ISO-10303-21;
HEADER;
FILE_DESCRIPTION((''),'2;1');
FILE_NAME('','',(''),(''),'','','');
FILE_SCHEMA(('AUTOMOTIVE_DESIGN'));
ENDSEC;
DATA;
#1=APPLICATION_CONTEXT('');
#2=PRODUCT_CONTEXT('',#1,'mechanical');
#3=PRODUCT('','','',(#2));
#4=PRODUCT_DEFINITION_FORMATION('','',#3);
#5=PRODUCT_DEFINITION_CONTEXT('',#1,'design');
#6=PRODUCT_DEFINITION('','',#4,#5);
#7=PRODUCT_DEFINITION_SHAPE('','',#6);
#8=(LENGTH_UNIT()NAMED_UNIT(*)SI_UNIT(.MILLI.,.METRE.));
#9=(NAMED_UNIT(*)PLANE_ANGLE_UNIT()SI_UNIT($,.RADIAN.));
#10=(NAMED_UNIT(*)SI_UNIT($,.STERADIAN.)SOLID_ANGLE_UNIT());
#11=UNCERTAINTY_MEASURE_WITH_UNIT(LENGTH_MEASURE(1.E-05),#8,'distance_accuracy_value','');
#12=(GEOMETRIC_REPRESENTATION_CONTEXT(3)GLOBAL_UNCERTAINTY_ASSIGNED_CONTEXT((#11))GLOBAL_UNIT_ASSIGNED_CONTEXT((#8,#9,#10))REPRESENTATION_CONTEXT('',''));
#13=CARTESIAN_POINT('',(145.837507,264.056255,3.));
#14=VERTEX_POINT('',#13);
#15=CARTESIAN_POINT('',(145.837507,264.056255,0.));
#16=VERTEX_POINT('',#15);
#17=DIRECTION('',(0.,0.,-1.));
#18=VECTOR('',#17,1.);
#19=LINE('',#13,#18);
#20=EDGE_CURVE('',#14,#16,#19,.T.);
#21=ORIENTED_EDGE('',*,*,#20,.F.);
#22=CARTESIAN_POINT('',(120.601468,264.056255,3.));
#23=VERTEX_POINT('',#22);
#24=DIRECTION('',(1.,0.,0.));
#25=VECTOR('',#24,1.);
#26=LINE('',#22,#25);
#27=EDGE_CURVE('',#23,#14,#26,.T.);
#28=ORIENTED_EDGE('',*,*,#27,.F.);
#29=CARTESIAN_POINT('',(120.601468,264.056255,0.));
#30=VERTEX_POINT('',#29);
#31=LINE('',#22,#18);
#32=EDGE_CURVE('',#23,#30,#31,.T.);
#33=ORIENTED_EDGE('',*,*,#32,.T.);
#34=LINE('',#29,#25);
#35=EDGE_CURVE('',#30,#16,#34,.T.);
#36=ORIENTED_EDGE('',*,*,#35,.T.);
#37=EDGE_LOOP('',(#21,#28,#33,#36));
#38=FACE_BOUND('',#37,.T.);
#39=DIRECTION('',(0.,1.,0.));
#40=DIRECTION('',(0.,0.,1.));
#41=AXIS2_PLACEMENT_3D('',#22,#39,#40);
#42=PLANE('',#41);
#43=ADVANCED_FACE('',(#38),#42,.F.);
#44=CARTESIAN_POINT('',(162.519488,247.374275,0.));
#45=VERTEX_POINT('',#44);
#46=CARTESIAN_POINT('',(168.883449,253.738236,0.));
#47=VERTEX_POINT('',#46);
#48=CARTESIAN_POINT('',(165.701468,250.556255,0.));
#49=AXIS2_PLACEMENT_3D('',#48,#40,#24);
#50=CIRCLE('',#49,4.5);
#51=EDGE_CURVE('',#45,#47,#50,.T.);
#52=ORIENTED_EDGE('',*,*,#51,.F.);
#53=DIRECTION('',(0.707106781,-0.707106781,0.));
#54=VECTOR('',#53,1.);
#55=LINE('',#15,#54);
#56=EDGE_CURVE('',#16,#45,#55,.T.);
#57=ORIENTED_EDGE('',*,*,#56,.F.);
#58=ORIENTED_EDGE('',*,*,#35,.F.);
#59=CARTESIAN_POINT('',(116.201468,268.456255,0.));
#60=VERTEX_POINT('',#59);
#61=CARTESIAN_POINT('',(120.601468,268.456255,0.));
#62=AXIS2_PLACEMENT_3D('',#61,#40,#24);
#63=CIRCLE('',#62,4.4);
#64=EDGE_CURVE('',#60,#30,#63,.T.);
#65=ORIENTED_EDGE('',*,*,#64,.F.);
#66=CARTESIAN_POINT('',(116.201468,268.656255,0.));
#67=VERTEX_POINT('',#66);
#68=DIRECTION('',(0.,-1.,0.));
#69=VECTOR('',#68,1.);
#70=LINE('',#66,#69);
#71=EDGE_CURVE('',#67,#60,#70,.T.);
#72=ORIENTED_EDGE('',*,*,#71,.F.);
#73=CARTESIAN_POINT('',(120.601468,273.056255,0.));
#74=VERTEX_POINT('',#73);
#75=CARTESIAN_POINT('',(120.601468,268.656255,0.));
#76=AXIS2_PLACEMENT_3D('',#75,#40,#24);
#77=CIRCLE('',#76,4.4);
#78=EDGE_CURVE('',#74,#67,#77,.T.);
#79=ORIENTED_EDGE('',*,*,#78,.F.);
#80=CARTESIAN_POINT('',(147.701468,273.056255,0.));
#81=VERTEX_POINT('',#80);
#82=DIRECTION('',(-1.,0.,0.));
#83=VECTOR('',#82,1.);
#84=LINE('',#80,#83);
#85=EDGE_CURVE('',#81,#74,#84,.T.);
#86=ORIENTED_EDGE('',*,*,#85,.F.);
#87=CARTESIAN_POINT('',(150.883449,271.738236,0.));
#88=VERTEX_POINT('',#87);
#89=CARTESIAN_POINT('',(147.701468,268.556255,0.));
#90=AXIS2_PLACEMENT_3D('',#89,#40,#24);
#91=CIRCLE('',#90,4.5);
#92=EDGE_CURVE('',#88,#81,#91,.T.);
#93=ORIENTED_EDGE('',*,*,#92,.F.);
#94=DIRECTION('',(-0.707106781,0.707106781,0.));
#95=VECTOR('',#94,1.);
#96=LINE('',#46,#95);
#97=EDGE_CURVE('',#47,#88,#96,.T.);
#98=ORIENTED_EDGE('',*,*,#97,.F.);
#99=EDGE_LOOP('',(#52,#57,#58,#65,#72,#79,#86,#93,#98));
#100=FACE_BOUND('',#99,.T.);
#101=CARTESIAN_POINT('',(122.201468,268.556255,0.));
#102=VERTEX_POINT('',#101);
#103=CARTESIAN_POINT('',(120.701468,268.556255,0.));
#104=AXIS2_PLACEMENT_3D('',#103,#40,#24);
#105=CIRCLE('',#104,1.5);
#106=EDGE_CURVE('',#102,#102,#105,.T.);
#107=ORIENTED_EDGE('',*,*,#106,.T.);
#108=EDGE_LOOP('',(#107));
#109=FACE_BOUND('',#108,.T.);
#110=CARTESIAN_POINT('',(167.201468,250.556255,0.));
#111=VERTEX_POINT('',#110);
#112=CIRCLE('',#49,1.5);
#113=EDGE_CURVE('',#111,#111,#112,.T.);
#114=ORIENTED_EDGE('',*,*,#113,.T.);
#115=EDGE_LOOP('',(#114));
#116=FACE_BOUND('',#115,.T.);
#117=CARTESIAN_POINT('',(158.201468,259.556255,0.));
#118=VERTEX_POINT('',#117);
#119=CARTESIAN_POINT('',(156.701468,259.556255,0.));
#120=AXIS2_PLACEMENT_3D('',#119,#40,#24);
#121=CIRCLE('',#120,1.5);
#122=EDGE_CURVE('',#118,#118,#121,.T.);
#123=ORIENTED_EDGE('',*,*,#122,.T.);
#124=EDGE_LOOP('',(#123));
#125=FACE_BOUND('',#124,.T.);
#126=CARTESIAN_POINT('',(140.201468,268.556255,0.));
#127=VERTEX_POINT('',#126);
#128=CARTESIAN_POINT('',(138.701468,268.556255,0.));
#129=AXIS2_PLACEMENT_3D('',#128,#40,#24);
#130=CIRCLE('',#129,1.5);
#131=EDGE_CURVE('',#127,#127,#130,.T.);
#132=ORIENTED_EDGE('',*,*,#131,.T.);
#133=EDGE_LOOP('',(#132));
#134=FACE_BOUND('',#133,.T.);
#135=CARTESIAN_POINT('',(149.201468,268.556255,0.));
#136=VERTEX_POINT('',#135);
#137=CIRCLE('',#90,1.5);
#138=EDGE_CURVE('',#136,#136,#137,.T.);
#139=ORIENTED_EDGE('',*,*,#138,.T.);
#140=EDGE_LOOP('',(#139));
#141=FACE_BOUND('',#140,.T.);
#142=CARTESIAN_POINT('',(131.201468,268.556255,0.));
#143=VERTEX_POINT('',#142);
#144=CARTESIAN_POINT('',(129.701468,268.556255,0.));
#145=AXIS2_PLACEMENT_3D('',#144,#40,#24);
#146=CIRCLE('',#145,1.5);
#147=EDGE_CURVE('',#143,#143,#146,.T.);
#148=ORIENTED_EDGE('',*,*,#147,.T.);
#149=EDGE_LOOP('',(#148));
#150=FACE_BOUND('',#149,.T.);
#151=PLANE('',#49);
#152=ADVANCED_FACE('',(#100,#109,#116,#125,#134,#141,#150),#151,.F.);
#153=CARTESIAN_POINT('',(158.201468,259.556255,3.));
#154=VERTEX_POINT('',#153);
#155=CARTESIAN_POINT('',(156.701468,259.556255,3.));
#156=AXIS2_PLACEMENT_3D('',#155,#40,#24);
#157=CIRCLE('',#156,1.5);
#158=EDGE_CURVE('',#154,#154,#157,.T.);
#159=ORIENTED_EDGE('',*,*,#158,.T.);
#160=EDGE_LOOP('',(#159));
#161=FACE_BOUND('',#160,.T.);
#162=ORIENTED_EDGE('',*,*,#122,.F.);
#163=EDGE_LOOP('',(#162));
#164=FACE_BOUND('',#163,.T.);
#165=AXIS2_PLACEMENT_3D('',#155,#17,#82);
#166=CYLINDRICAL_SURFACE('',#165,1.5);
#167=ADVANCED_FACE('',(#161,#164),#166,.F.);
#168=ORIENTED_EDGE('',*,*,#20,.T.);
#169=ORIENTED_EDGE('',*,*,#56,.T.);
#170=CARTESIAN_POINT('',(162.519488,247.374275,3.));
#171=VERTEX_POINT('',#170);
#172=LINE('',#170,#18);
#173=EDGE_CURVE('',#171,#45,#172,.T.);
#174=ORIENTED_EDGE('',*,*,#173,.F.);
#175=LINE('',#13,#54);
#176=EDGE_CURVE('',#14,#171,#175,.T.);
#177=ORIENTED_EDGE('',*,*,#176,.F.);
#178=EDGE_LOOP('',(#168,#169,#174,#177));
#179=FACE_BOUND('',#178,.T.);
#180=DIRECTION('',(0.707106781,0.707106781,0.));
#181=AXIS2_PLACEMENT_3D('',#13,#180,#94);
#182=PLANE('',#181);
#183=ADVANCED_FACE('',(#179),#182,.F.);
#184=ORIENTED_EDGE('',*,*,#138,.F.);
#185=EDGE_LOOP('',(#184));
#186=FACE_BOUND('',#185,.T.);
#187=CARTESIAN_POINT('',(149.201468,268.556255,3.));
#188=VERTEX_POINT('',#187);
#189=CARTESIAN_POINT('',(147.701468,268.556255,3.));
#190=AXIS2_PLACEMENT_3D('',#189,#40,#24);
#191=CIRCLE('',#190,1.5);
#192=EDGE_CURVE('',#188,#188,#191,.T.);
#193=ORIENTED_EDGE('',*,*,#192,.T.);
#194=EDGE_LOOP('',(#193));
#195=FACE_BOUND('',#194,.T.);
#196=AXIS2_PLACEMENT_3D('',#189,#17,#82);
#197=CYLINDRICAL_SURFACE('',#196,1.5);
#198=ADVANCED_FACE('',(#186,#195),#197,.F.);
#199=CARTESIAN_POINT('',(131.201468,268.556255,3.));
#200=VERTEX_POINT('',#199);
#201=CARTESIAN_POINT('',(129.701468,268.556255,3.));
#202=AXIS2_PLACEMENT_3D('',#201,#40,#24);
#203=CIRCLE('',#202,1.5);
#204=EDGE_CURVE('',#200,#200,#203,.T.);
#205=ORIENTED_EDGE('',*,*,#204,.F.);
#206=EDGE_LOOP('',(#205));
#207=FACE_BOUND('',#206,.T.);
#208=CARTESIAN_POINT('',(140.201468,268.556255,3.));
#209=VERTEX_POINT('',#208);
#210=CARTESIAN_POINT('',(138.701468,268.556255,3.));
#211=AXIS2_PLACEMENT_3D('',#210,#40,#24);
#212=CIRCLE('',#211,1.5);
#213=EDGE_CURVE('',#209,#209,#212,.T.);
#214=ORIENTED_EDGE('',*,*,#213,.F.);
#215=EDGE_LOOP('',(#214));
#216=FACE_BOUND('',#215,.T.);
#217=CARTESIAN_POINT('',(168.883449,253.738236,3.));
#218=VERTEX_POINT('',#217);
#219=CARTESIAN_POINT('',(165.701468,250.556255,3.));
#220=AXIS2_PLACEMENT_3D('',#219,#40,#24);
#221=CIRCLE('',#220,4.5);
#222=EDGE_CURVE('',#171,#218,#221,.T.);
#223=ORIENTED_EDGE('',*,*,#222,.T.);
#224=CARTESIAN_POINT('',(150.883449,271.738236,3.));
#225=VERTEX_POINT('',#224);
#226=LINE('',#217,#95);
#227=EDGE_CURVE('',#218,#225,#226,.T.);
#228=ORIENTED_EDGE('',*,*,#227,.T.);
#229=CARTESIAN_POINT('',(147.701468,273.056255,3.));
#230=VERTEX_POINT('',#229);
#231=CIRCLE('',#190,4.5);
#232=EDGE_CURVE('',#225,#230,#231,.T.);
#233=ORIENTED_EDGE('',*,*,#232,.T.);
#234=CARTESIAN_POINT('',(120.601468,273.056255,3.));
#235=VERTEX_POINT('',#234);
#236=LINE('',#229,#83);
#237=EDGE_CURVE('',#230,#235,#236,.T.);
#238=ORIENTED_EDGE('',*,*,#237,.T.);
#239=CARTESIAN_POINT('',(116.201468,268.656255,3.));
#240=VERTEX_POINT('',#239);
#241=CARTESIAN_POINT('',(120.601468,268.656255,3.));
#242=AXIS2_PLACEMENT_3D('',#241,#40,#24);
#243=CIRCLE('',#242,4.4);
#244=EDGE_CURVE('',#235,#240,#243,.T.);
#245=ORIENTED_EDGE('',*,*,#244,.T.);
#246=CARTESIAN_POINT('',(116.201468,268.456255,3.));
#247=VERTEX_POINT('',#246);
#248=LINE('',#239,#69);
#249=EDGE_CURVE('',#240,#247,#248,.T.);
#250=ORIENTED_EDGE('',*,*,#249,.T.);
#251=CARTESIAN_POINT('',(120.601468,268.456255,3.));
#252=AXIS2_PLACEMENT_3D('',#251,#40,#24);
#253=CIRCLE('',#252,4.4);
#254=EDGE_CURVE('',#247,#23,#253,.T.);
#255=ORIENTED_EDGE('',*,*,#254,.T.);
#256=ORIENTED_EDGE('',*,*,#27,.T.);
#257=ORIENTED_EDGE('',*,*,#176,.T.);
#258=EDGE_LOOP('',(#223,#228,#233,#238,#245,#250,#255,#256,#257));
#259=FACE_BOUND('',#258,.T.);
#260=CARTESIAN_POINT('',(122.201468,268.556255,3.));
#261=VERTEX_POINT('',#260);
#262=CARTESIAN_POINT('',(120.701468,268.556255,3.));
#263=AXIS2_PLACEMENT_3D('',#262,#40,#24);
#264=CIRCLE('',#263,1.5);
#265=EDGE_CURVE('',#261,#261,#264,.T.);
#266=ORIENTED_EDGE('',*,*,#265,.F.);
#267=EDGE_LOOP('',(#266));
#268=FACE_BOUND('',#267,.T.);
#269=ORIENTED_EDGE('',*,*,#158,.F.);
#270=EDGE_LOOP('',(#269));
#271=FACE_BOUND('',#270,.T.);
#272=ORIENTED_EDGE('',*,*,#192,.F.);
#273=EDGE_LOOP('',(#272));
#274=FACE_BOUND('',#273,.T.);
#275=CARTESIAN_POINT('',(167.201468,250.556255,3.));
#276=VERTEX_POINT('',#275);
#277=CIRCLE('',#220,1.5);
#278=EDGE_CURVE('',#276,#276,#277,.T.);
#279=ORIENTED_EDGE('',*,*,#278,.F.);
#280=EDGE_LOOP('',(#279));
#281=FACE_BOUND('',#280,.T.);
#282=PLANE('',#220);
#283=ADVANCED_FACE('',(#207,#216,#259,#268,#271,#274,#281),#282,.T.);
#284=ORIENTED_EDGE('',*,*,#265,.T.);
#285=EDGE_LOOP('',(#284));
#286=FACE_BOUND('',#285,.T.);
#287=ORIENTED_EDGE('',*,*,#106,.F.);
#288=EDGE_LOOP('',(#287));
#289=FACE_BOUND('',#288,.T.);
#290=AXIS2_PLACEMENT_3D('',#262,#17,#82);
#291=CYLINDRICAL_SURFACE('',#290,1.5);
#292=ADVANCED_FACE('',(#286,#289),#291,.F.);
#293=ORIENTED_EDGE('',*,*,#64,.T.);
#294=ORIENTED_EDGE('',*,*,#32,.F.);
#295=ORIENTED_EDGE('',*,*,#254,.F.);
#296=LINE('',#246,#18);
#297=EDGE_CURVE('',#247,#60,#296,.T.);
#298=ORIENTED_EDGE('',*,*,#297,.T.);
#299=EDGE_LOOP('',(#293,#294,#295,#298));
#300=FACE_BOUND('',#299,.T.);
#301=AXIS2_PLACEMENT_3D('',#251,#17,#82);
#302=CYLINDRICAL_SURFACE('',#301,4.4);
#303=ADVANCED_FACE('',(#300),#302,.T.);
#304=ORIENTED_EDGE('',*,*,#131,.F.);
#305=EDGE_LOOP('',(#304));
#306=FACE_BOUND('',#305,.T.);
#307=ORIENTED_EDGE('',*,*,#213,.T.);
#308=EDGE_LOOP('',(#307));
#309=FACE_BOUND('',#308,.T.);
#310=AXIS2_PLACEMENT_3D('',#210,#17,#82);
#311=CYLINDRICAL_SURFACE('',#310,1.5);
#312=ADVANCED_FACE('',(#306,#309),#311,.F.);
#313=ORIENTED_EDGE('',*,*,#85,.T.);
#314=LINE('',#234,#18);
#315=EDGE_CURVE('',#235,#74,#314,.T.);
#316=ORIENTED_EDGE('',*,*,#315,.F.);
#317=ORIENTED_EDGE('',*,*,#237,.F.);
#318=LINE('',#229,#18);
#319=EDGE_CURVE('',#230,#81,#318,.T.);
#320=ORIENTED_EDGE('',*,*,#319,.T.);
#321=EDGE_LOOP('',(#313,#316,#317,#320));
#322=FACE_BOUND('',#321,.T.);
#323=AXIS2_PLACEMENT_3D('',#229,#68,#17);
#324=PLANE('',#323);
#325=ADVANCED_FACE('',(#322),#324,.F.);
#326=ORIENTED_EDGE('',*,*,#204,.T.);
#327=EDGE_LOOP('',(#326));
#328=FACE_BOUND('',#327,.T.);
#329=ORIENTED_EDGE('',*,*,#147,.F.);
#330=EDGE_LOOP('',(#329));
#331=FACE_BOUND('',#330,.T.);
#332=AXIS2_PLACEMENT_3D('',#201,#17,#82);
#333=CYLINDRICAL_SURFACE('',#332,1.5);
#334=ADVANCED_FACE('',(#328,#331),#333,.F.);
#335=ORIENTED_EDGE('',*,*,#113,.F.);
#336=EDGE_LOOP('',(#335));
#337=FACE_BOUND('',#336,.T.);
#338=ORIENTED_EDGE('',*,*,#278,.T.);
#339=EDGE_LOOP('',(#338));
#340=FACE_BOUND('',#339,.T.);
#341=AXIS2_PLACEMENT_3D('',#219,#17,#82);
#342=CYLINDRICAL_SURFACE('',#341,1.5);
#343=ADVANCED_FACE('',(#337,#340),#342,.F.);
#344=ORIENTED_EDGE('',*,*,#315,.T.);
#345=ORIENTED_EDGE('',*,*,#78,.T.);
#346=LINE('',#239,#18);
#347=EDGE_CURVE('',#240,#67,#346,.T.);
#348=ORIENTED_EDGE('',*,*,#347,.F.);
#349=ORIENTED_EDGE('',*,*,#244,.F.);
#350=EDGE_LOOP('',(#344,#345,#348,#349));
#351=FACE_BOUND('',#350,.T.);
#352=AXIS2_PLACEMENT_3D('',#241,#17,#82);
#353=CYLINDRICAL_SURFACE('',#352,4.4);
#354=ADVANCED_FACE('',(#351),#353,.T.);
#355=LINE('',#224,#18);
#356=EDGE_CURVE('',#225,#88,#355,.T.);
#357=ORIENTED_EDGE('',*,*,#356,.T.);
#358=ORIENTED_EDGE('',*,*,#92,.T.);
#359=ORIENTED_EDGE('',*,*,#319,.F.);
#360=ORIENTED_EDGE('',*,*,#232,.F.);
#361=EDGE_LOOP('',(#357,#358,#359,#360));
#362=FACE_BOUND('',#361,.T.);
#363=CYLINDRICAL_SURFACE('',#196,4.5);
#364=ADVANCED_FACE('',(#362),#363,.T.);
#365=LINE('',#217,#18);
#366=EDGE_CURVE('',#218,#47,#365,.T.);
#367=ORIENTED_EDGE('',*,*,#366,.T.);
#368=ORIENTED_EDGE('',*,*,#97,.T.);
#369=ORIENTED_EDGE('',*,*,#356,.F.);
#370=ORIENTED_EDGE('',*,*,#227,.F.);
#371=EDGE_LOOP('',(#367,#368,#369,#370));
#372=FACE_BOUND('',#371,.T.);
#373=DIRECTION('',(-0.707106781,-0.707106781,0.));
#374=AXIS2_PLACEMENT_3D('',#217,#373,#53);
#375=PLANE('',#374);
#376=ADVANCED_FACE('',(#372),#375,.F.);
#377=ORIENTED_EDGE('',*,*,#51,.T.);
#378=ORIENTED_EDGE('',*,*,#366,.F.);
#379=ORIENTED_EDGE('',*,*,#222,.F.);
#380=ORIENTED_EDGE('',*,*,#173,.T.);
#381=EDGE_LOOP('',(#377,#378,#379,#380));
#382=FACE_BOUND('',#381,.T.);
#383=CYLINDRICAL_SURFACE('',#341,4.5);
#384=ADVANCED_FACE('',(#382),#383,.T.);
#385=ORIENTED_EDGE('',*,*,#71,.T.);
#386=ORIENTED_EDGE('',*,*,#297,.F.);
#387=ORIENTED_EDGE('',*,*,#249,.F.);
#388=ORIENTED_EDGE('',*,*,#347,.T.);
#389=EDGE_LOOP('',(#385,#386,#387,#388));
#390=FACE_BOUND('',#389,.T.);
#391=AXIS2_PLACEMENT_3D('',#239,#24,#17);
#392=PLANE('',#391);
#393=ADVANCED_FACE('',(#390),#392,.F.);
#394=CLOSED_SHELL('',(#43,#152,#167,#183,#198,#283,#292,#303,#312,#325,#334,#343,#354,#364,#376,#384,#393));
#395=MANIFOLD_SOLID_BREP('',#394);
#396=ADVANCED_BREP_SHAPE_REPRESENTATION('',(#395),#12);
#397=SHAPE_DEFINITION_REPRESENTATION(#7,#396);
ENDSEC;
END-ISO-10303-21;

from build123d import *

# Parameters (mm, degrees)
MODEL_R                 = 1.5
SALIENTE_EXTRUIR1_DEPTH = 3


with BuildPart() as part:
    # Model → Saliente-Extruir1 (new body)
    with BuildSketch(Plane.XY):
        with BuildLine():
            Line((145.837507261, 264.056255289), (162.519487777, 247.374274774))
            ThreePointArc((162.519487777, 247.374274774), (168.883448807, 247.374274774), (168.883448807, 253.738235805))
            Line((168.883448807, 253.738235805), (150.883448807, 271.738235805))
            ThreePointArc((150.883448807, 271.738235805), (149.423543738, 272.713713186), (147.701468292, 273.056255289))
            Line((147.701468292, 273.056255289), (120.601468292, 273.056255289))
            ThreePointArc((120.601468292, 273.056255289), (117.490198455, 271.767525127), (116.201468292, 268.656255289))
            Line((116.201468292, 268.656255289), (116.201468292, 268.456255289))
            ThreePointArc((116.201468292, 268.456255289), (117.490198455, 265.344985452), (120.601468292, 264.056255289))
            Line((120.601468292, 264.056255289), (145.837507261, 264.056255289))
        make_face()
        with Locations((129.701468292, 268.556255289)):
            Circle(MODEL_R, mode=Mode.SUBTRACT)
        with Locations((138.701468292, 268.556255289)):
            Circle(MODEL_R, mode=Mode.SUBTRACT)
        with Locations((120.701468292, 268.556255289)):
            Circle(MODEL_R, mode=Mode.SUBTRACT)
        with Locations((147.701468292, 268.556255289)):
            Circle(MODEL_R, mode=Mode.SUBTRACT)
        with Locations((165.701468292, 250.556255289)):
            Circle(MODEL_R, mode=Mode.SUBTRACT)
        with Locations((156.701468292, 259.556255289)):
            Circle(MODEL_R, mode=Mode.SUBTRACT)
    extrude(amount=SALIENTE_EXTRUIR1_DEPTH)


solid = part.part
